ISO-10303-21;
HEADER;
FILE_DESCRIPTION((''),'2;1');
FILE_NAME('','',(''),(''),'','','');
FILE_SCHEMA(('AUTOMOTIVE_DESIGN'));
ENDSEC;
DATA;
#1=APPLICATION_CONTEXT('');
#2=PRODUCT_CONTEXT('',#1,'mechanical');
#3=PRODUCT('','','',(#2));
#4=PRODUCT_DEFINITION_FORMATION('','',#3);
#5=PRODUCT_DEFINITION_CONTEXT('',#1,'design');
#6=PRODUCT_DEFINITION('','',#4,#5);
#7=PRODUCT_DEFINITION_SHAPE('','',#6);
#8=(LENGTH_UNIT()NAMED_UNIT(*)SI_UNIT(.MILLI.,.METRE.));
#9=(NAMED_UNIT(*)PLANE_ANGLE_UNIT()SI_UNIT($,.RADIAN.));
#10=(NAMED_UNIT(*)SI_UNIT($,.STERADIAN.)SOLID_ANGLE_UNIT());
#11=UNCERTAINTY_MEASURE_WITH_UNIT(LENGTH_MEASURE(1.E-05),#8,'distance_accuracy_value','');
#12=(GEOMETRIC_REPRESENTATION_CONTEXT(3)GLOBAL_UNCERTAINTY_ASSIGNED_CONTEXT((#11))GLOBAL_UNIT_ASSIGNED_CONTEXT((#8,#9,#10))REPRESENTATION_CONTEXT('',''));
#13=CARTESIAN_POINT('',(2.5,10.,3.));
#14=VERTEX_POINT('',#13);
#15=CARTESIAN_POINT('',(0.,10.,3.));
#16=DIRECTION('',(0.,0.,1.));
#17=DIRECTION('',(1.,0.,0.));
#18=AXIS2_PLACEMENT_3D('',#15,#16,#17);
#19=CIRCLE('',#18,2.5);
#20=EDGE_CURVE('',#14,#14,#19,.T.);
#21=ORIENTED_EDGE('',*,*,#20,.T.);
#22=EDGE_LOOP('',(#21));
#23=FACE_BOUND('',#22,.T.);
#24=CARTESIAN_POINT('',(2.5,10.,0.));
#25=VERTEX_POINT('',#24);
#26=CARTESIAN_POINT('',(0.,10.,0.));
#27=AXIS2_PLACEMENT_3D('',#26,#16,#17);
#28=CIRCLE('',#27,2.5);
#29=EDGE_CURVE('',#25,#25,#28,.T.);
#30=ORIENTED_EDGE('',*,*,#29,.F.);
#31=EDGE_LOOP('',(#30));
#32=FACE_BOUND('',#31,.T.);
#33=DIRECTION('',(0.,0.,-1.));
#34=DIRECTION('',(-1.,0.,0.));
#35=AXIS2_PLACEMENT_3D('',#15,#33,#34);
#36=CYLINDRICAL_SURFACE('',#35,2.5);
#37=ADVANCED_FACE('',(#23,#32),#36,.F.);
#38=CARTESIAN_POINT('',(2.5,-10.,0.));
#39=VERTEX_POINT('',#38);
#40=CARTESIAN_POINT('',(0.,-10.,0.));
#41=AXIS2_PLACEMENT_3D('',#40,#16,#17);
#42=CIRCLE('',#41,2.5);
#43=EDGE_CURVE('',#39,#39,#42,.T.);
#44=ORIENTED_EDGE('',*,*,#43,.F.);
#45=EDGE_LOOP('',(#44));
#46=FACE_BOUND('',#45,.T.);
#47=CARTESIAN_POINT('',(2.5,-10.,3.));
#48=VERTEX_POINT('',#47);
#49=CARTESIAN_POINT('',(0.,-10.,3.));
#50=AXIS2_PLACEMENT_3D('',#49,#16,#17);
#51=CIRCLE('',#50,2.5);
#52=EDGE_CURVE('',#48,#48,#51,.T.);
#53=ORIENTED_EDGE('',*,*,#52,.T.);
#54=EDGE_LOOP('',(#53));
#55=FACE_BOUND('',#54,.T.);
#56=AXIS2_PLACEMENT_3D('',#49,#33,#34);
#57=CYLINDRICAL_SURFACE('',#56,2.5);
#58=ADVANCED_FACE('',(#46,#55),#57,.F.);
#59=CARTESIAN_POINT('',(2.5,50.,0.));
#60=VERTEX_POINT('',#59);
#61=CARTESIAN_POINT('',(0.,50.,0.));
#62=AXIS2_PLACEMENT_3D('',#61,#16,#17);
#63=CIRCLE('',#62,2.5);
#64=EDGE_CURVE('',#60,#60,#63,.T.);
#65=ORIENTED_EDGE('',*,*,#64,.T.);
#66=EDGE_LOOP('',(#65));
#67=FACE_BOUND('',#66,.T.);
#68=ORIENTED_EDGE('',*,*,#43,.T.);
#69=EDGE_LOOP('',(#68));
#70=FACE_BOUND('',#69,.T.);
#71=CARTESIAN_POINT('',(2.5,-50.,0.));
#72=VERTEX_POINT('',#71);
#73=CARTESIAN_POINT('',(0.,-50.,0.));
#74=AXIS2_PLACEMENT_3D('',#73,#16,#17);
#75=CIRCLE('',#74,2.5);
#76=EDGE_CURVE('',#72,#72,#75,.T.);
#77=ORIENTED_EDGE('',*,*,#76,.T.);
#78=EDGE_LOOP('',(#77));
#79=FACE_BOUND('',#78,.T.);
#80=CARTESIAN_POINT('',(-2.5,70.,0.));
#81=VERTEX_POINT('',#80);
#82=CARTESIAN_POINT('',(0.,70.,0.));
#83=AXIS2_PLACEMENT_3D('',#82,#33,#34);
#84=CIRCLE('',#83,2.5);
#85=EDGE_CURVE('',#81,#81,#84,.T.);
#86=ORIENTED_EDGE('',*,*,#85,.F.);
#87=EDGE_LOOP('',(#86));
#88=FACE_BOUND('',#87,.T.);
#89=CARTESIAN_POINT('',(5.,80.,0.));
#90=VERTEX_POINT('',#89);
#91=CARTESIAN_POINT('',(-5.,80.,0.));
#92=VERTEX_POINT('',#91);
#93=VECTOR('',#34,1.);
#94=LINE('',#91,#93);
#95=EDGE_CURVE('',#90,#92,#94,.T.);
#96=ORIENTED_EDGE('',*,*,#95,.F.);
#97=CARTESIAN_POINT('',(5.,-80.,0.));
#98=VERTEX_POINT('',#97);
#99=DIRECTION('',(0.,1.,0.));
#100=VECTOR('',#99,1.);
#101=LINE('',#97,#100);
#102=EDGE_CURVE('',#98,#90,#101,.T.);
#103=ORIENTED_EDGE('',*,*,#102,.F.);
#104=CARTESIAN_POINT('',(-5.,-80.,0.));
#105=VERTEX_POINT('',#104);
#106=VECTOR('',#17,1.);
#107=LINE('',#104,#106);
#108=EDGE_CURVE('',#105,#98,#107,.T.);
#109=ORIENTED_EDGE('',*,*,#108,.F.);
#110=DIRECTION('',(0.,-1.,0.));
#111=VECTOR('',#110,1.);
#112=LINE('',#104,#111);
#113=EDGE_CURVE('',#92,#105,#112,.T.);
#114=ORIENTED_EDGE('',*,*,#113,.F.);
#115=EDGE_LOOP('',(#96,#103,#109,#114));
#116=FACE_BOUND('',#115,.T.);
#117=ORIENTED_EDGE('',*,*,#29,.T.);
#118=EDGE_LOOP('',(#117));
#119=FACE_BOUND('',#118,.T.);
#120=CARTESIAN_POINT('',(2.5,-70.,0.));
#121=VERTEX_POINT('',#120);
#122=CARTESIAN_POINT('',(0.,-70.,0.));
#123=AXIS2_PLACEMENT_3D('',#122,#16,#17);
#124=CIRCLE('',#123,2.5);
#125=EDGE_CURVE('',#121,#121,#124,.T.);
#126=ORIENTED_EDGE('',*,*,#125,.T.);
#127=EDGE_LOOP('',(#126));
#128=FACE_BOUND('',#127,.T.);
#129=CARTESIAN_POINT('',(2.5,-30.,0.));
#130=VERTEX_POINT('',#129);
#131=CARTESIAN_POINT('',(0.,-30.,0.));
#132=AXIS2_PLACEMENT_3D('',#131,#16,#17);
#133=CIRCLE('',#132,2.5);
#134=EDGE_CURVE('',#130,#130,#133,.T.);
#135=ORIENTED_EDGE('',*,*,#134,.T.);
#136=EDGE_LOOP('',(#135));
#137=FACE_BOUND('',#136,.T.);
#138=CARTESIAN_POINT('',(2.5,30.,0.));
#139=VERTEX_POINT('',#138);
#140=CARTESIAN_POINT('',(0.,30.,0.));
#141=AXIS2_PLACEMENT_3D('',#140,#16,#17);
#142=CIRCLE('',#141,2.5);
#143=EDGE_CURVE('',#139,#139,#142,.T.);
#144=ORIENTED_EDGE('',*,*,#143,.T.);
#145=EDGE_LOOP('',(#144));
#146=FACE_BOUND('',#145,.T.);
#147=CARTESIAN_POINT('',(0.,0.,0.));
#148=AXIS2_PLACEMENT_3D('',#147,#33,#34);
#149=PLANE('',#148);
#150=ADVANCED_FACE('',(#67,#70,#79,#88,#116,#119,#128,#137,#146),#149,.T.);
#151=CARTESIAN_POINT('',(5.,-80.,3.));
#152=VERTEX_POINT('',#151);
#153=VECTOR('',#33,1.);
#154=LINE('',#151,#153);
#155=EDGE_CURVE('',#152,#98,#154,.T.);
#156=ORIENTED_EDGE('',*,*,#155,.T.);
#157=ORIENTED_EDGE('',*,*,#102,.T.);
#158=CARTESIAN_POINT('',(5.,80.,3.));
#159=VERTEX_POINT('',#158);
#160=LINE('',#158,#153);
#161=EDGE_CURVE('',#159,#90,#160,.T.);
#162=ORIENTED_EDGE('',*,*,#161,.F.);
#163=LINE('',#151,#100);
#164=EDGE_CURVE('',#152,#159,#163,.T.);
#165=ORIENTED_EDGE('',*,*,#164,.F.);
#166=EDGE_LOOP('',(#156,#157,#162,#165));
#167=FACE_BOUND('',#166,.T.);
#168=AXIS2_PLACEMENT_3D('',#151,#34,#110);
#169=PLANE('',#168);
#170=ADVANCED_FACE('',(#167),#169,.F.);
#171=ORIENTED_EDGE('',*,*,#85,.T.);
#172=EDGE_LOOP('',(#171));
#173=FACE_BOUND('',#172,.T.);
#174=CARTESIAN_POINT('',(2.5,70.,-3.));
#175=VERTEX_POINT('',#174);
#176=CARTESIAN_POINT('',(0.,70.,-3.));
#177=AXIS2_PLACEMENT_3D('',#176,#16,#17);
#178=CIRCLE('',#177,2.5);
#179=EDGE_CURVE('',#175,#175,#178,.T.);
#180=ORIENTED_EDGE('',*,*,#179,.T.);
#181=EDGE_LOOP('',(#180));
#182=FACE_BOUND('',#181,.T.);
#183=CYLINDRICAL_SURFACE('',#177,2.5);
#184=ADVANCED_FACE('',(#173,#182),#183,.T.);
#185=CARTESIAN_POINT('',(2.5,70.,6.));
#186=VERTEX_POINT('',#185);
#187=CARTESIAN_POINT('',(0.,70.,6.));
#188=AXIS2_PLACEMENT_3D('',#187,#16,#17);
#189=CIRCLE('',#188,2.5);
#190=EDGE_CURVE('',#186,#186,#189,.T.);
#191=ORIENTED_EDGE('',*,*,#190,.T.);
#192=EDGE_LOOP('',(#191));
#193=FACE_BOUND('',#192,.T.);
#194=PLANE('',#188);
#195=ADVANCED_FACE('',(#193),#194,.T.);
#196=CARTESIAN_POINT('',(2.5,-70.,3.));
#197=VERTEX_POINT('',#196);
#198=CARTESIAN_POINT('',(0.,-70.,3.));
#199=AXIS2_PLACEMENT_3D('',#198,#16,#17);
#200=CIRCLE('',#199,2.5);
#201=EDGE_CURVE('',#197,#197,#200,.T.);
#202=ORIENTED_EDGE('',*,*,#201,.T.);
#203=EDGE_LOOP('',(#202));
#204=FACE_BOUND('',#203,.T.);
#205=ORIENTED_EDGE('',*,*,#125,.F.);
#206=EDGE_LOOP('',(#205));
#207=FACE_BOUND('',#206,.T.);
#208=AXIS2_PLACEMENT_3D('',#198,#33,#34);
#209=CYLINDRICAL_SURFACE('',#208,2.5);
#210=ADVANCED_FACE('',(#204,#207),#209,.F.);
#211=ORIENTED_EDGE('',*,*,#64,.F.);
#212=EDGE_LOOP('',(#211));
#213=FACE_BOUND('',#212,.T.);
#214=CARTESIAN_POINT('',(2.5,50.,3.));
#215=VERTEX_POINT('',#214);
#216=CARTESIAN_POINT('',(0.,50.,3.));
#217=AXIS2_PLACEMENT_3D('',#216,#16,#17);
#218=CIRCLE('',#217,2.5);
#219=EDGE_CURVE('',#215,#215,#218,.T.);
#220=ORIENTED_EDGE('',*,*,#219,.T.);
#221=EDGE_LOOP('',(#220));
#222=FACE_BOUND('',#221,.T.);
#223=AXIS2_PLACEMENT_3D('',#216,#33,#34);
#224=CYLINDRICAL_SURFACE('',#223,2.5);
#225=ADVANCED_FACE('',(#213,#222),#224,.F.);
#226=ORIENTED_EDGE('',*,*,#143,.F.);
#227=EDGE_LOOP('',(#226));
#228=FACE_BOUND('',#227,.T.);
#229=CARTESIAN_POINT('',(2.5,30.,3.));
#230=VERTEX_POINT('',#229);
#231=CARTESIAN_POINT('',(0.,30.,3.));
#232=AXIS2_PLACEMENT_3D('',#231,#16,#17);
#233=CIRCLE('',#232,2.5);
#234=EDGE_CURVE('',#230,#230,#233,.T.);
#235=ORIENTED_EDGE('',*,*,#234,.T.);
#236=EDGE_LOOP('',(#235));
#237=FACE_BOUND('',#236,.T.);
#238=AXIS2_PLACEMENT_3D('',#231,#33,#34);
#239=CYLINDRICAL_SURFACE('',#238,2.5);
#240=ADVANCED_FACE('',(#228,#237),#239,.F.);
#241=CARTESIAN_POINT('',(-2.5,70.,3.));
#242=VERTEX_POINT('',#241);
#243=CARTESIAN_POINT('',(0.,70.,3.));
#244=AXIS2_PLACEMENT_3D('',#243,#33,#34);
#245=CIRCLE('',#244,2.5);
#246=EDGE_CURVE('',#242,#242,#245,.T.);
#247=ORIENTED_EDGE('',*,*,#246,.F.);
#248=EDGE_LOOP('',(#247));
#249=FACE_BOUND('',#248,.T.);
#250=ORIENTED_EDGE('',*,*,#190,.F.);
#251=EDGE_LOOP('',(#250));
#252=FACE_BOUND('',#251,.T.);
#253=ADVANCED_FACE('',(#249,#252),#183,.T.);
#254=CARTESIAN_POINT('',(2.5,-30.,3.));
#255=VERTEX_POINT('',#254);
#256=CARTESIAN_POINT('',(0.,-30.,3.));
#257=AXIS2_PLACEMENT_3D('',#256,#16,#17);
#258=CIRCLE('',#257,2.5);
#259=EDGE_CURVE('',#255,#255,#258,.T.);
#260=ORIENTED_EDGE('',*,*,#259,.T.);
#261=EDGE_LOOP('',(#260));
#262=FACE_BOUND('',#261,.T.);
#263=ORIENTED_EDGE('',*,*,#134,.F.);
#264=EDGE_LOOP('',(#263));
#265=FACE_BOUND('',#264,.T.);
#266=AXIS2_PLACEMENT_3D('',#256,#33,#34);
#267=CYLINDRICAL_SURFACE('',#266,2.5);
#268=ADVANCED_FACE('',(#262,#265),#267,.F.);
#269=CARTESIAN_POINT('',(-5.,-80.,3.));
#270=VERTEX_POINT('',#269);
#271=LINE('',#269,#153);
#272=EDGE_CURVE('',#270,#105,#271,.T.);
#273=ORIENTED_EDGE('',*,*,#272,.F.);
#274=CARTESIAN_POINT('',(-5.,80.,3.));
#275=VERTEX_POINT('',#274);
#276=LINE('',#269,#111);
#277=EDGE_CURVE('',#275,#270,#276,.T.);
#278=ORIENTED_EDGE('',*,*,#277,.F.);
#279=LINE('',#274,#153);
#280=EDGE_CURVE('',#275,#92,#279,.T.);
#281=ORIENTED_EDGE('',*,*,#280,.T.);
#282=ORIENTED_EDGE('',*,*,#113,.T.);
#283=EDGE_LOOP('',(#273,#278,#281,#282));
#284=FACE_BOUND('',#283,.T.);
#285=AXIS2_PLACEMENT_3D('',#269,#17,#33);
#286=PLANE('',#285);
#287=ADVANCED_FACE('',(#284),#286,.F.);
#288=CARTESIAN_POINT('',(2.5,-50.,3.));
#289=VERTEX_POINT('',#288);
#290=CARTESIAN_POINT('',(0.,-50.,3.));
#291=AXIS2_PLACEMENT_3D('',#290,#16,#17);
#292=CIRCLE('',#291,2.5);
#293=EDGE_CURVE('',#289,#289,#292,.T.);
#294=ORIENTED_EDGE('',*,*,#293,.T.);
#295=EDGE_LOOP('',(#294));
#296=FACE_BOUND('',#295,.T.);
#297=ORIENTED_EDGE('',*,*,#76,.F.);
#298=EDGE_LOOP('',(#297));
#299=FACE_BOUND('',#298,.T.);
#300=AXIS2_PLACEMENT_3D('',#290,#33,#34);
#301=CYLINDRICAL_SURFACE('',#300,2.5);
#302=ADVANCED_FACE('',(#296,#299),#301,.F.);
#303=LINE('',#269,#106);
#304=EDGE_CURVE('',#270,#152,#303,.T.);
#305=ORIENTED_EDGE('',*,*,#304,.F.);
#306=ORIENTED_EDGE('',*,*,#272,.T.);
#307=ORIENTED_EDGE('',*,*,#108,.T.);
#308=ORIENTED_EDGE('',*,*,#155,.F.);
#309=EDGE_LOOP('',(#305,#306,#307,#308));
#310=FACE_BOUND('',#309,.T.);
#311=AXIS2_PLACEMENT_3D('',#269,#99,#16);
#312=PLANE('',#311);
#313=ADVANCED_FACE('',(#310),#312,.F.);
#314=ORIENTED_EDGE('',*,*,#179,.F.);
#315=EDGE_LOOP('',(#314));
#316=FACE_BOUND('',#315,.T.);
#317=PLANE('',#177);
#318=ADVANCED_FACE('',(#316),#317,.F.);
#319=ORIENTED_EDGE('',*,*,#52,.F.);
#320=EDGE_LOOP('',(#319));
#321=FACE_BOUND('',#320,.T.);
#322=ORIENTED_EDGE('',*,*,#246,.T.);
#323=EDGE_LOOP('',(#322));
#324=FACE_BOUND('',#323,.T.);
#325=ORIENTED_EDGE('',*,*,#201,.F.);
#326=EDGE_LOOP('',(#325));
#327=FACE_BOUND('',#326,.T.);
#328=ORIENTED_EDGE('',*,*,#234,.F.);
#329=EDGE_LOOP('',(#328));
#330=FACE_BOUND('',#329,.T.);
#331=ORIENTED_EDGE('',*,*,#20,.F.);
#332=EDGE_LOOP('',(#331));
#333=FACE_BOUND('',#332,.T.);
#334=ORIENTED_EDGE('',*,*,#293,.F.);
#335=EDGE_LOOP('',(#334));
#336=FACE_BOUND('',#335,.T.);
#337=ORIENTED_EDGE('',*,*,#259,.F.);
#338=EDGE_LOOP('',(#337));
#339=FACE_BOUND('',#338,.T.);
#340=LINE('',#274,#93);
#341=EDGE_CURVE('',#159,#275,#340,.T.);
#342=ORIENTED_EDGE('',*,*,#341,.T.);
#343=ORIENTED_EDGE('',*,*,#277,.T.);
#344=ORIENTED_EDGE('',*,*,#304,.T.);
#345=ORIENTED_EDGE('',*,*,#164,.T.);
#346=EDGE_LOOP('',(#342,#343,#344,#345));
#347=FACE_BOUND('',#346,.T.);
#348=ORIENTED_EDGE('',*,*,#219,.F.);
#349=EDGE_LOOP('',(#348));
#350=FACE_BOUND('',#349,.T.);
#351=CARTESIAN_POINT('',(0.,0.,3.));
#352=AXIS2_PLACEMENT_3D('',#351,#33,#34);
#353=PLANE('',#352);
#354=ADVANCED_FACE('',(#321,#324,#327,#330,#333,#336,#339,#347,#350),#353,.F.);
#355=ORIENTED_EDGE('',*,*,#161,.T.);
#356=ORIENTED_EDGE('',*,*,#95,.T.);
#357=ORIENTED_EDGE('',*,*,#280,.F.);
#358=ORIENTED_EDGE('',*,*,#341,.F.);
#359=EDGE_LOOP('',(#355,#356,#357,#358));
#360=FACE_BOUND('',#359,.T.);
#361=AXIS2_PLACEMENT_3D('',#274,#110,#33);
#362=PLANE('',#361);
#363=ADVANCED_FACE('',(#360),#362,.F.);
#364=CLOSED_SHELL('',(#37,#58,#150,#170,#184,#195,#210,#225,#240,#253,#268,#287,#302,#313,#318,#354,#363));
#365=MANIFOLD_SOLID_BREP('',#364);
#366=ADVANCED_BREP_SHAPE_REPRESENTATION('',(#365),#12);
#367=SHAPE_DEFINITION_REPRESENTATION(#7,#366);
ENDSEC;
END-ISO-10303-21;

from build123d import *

# Parameters (mm, degrees)
SKETCH_1_W           = 10
SKETCH_1_H           = 160
SKETCH_1_R           = 2.5
EXTRUDE_1_DEPTH      = 3
EXTRUDE_2_DEPTH      = 3
EXTRUDE_2_DEPTH_BACK = 6
SKETCH_2_R           = 2.5


with BuildPart() as part:
    # 草圖1 → 填料-伸長1 (new body)
    with BuildSketch(Plane.XY):
        Rectangle(SKETCH_1_W, SKETCH_1_H)
        with Locations((0, -70)):
            Circle(SKETCH_1_R, mode=Mode.SUBTRACT)
        with Locations((0, -50)):
            Circle(SKETCH_1_R, mode=Mode.SUBTRACT)
        with Locations((0, -30)):
            Circle(SKETCH_1_R, mode=Mode.SUBTRACT)
        with Locations((0, -10)):
            Circle(SKETCH_1_R, mode=Mode.SUBTRACT)
        with Locations((0, 10)):
            Circle(SKETCH_1_R, mode=Mode.SUBTRACT)
        with Locations((0, 30)):
            Circle(SKETCH_1_R, mode=Mode.SUBTRACT)
        with Locations((0, 50)):
            Circle(SKETCH_1_R, mode=Mode.SUBTRACT)
    extrude(amount=EXTRUDE_1_DEPTH)

    # 草圖2 → 填料-伸長2 (add, two sides: drawn at the far end of the back side and taken through both)
    with BuildSketch(Plane.XY.offset(3).offset(-EXTRUDE_2_DEPTH_BACK)):
        with Locations((0, 70)):
            Circle(SKETCH_2_R)
    extrude(amount=EXTRUDE_2_DEPTH + EXTRUDE_2_DEPTH_BACK)


solid = part.part
